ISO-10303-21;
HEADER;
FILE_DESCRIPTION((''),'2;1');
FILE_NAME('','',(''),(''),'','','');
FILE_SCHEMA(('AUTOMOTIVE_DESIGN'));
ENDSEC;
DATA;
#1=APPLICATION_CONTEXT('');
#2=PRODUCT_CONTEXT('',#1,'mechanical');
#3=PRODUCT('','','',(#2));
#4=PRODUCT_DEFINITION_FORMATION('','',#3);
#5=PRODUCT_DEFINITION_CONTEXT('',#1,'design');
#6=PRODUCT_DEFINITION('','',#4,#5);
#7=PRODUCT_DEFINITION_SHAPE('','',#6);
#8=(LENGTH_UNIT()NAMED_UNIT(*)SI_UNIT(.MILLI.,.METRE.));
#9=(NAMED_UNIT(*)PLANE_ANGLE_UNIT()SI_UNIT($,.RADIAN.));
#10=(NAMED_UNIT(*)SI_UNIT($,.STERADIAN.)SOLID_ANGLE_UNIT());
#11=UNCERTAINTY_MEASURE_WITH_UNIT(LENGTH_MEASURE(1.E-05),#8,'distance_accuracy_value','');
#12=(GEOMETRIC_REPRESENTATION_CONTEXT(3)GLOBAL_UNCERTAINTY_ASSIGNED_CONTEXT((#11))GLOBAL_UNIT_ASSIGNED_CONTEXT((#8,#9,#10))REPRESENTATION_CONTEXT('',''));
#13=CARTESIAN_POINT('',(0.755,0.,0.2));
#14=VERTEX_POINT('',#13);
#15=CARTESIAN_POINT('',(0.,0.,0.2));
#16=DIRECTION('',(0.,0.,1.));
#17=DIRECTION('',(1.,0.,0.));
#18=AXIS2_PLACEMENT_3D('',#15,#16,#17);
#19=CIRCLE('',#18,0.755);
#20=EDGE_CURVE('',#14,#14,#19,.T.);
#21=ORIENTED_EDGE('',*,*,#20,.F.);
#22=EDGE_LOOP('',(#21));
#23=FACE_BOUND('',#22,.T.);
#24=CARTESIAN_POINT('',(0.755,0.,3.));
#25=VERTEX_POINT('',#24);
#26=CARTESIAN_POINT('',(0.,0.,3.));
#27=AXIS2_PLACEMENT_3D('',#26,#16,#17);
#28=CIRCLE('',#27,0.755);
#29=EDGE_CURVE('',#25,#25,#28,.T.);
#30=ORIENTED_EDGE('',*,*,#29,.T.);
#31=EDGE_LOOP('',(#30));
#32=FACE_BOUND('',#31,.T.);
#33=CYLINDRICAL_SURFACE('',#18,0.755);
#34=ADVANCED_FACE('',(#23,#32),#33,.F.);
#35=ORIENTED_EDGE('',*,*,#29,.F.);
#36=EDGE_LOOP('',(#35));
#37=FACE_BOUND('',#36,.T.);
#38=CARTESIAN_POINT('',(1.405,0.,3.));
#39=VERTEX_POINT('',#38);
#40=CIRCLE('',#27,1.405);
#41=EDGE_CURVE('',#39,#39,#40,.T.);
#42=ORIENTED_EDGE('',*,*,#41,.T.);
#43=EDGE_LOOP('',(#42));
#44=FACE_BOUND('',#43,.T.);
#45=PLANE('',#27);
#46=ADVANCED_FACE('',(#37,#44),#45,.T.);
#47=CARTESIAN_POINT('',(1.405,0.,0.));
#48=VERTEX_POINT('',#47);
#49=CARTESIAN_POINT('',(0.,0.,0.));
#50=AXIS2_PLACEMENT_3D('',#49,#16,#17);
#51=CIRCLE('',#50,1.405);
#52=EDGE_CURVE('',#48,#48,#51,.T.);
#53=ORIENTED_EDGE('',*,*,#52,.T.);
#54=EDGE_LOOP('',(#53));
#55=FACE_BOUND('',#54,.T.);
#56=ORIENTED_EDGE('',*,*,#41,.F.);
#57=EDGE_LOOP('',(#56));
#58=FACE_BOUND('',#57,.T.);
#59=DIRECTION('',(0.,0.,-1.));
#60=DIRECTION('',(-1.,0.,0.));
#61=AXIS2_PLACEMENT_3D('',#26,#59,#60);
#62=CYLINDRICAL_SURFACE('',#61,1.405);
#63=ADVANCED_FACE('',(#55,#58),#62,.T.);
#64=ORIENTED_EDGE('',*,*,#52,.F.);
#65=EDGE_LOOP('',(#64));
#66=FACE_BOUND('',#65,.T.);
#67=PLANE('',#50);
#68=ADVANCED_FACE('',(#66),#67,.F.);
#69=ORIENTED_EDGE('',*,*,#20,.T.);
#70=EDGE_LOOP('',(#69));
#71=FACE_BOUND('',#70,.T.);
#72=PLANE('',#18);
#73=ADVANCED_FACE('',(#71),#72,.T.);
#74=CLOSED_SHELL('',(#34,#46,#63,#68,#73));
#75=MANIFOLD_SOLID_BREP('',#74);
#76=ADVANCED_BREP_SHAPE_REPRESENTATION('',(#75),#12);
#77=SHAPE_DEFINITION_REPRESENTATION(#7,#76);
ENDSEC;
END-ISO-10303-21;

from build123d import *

# Parameters (mm, degrees)
SKETCH1_R           = 1.405
BOSS_EXTRUDE1_DEPTH = 3
SKETCH2_R           = 0.755
CUT_EXTRUDE1_DEPTH  = 2.8


with BuildPart() as part:
    # Sketch1 → Boss-Extrude1 (new body)
    with BuildSketch(Plane.XY):
        Circle(SKETCH1_R)
    extrude(amount=BOSS_EXTRUDE1_DEPTH)

    # Sketch2 → Cut-Extrude1 (cut)
    with BuildSketch(Plane.XY.offset(3)):
        Circle(SKETCH2_R)
    extrude(amount=-CUT_EXTRUDE1_DEPTH, mode=Mode.SUBTRACT)


solid = part.part
